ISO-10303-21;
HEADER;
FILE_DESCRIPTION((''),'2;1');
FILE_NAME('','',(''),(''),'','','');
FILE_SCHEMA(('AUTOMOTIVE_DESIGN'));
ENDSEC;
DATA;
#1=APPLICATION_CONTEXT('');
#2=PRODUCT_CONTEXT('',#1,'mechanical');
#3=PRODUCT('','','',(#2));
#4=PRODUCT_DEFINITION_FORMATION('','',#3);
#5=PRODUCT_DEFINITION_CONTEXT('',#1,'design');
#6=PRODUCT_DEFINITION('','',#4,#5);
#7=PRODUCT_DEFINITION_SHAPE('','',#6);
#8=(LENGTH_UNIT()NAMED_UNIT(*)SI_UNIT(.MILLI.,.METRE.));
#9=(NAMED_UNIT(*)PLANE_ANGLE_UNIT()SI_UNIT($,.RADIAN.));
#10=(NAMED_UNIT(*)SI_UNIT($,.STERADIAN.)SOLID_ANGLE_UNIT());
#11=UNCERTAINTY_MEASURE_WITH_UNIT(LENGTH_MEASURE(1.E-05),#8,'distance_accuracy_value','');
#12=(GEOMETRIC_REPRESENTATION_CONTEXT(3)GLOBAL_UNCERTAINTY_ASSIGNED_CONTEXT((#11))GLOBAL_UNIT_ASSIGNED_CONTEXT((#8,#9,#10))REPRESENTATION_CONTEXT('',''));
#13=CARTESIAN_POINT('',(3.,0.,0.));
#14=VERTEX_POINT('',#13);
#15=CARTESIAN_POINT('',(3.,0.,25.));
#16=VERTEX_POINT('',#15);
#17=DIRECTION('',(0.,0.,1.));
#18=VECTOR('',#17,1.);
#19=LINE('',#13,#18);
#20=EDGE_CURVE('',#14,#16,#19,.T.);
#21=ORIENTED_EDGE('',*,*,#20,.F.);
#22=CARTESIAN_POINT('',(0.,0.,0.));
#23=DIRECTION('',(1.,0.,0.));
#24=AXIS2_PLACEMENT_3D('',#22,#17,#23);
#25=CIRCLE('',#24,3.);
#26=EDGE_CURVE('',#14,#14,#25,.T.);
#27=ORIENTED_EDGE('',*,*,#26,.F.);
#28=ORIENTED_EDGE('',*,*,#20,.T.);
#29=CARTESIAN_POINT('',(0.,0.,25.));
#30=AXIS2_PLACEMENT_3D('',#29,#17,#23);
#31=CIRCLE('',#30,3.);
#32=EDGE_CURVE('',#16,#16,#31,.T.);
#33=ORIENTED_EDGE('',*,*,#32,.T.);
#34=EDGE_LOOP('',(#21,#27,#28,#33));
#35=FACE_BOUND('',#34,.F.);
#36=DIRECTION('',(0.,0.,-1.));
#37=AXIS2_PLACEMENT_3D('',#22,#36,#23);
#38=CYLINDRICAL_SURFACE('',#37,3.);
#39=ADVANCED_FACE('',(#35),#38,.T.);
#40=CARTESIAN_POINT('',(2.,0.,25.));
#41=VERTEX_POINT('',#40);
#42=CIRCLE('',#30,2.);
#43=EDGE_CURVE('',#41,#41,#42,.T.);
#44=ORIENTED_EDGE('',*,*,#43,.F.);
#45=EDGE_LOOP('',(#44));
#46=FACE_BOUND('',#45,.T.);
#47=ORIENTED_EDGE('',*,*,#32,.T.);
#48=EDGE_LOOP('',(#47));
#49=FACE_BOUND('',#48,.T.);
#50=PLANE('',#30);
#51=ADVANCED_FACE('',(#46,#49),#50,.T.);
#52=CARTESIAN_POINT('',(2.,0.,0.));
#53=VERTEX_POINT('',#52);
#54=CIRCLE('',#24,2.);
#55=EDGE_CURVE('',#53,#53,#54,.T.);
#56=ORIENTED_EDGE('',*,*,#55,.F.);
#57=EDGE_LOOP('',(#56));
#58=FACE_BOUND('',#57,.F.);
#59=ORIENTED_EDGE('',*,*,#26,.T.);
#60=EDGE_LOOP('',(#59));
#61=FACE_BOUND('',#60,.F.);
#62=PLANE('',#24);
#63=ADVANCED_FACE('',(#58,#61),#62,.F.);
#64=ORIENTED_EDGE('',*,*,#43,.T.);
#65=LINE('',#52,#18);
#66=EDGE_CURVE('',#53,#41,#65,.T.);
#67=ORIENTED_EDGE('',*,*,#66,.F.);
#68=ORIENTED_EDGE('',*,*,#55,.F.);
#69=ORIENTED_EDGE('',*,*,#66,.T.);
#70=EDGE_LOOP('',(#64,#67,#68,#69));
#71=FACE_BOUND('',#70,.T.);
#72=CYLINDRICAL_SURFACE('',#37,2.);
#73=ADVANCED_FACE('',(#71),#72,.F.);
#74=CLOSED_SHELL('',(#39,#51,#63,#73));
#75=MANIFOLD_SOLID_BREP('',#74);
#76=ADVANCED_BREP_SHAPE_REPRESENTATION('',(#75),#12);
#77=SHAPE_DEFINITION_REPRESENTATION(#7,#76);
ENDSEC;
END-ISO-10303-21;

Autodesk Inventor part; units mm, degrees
ref_plane "YZ Plane" through (0, 0, 0) normal (1, 0, 0) x (0, 1, 0)
ref_plane "XZ Plane" through (0, 0, 0) normal (0, 1, 0) x (-1, 0, 0)
ref_plane "XY Plane" through (0, 0, 0) normal (0, 0, 1) x (1, 0, 0)
sketch "スケッチ1" plane through (0, 0, 0) normal (0, 0, 1) x (1, 0, 0)
  circle A0 centre (0, 0) radius 3
  circle A1 centre (0, 0) radius 2
  dimension "d0" = 6
  dimension "d1" = 4
extrude "押し出し1" add sketch "スケッチ1" along normal blind 25
properties part number "light_space_6"
